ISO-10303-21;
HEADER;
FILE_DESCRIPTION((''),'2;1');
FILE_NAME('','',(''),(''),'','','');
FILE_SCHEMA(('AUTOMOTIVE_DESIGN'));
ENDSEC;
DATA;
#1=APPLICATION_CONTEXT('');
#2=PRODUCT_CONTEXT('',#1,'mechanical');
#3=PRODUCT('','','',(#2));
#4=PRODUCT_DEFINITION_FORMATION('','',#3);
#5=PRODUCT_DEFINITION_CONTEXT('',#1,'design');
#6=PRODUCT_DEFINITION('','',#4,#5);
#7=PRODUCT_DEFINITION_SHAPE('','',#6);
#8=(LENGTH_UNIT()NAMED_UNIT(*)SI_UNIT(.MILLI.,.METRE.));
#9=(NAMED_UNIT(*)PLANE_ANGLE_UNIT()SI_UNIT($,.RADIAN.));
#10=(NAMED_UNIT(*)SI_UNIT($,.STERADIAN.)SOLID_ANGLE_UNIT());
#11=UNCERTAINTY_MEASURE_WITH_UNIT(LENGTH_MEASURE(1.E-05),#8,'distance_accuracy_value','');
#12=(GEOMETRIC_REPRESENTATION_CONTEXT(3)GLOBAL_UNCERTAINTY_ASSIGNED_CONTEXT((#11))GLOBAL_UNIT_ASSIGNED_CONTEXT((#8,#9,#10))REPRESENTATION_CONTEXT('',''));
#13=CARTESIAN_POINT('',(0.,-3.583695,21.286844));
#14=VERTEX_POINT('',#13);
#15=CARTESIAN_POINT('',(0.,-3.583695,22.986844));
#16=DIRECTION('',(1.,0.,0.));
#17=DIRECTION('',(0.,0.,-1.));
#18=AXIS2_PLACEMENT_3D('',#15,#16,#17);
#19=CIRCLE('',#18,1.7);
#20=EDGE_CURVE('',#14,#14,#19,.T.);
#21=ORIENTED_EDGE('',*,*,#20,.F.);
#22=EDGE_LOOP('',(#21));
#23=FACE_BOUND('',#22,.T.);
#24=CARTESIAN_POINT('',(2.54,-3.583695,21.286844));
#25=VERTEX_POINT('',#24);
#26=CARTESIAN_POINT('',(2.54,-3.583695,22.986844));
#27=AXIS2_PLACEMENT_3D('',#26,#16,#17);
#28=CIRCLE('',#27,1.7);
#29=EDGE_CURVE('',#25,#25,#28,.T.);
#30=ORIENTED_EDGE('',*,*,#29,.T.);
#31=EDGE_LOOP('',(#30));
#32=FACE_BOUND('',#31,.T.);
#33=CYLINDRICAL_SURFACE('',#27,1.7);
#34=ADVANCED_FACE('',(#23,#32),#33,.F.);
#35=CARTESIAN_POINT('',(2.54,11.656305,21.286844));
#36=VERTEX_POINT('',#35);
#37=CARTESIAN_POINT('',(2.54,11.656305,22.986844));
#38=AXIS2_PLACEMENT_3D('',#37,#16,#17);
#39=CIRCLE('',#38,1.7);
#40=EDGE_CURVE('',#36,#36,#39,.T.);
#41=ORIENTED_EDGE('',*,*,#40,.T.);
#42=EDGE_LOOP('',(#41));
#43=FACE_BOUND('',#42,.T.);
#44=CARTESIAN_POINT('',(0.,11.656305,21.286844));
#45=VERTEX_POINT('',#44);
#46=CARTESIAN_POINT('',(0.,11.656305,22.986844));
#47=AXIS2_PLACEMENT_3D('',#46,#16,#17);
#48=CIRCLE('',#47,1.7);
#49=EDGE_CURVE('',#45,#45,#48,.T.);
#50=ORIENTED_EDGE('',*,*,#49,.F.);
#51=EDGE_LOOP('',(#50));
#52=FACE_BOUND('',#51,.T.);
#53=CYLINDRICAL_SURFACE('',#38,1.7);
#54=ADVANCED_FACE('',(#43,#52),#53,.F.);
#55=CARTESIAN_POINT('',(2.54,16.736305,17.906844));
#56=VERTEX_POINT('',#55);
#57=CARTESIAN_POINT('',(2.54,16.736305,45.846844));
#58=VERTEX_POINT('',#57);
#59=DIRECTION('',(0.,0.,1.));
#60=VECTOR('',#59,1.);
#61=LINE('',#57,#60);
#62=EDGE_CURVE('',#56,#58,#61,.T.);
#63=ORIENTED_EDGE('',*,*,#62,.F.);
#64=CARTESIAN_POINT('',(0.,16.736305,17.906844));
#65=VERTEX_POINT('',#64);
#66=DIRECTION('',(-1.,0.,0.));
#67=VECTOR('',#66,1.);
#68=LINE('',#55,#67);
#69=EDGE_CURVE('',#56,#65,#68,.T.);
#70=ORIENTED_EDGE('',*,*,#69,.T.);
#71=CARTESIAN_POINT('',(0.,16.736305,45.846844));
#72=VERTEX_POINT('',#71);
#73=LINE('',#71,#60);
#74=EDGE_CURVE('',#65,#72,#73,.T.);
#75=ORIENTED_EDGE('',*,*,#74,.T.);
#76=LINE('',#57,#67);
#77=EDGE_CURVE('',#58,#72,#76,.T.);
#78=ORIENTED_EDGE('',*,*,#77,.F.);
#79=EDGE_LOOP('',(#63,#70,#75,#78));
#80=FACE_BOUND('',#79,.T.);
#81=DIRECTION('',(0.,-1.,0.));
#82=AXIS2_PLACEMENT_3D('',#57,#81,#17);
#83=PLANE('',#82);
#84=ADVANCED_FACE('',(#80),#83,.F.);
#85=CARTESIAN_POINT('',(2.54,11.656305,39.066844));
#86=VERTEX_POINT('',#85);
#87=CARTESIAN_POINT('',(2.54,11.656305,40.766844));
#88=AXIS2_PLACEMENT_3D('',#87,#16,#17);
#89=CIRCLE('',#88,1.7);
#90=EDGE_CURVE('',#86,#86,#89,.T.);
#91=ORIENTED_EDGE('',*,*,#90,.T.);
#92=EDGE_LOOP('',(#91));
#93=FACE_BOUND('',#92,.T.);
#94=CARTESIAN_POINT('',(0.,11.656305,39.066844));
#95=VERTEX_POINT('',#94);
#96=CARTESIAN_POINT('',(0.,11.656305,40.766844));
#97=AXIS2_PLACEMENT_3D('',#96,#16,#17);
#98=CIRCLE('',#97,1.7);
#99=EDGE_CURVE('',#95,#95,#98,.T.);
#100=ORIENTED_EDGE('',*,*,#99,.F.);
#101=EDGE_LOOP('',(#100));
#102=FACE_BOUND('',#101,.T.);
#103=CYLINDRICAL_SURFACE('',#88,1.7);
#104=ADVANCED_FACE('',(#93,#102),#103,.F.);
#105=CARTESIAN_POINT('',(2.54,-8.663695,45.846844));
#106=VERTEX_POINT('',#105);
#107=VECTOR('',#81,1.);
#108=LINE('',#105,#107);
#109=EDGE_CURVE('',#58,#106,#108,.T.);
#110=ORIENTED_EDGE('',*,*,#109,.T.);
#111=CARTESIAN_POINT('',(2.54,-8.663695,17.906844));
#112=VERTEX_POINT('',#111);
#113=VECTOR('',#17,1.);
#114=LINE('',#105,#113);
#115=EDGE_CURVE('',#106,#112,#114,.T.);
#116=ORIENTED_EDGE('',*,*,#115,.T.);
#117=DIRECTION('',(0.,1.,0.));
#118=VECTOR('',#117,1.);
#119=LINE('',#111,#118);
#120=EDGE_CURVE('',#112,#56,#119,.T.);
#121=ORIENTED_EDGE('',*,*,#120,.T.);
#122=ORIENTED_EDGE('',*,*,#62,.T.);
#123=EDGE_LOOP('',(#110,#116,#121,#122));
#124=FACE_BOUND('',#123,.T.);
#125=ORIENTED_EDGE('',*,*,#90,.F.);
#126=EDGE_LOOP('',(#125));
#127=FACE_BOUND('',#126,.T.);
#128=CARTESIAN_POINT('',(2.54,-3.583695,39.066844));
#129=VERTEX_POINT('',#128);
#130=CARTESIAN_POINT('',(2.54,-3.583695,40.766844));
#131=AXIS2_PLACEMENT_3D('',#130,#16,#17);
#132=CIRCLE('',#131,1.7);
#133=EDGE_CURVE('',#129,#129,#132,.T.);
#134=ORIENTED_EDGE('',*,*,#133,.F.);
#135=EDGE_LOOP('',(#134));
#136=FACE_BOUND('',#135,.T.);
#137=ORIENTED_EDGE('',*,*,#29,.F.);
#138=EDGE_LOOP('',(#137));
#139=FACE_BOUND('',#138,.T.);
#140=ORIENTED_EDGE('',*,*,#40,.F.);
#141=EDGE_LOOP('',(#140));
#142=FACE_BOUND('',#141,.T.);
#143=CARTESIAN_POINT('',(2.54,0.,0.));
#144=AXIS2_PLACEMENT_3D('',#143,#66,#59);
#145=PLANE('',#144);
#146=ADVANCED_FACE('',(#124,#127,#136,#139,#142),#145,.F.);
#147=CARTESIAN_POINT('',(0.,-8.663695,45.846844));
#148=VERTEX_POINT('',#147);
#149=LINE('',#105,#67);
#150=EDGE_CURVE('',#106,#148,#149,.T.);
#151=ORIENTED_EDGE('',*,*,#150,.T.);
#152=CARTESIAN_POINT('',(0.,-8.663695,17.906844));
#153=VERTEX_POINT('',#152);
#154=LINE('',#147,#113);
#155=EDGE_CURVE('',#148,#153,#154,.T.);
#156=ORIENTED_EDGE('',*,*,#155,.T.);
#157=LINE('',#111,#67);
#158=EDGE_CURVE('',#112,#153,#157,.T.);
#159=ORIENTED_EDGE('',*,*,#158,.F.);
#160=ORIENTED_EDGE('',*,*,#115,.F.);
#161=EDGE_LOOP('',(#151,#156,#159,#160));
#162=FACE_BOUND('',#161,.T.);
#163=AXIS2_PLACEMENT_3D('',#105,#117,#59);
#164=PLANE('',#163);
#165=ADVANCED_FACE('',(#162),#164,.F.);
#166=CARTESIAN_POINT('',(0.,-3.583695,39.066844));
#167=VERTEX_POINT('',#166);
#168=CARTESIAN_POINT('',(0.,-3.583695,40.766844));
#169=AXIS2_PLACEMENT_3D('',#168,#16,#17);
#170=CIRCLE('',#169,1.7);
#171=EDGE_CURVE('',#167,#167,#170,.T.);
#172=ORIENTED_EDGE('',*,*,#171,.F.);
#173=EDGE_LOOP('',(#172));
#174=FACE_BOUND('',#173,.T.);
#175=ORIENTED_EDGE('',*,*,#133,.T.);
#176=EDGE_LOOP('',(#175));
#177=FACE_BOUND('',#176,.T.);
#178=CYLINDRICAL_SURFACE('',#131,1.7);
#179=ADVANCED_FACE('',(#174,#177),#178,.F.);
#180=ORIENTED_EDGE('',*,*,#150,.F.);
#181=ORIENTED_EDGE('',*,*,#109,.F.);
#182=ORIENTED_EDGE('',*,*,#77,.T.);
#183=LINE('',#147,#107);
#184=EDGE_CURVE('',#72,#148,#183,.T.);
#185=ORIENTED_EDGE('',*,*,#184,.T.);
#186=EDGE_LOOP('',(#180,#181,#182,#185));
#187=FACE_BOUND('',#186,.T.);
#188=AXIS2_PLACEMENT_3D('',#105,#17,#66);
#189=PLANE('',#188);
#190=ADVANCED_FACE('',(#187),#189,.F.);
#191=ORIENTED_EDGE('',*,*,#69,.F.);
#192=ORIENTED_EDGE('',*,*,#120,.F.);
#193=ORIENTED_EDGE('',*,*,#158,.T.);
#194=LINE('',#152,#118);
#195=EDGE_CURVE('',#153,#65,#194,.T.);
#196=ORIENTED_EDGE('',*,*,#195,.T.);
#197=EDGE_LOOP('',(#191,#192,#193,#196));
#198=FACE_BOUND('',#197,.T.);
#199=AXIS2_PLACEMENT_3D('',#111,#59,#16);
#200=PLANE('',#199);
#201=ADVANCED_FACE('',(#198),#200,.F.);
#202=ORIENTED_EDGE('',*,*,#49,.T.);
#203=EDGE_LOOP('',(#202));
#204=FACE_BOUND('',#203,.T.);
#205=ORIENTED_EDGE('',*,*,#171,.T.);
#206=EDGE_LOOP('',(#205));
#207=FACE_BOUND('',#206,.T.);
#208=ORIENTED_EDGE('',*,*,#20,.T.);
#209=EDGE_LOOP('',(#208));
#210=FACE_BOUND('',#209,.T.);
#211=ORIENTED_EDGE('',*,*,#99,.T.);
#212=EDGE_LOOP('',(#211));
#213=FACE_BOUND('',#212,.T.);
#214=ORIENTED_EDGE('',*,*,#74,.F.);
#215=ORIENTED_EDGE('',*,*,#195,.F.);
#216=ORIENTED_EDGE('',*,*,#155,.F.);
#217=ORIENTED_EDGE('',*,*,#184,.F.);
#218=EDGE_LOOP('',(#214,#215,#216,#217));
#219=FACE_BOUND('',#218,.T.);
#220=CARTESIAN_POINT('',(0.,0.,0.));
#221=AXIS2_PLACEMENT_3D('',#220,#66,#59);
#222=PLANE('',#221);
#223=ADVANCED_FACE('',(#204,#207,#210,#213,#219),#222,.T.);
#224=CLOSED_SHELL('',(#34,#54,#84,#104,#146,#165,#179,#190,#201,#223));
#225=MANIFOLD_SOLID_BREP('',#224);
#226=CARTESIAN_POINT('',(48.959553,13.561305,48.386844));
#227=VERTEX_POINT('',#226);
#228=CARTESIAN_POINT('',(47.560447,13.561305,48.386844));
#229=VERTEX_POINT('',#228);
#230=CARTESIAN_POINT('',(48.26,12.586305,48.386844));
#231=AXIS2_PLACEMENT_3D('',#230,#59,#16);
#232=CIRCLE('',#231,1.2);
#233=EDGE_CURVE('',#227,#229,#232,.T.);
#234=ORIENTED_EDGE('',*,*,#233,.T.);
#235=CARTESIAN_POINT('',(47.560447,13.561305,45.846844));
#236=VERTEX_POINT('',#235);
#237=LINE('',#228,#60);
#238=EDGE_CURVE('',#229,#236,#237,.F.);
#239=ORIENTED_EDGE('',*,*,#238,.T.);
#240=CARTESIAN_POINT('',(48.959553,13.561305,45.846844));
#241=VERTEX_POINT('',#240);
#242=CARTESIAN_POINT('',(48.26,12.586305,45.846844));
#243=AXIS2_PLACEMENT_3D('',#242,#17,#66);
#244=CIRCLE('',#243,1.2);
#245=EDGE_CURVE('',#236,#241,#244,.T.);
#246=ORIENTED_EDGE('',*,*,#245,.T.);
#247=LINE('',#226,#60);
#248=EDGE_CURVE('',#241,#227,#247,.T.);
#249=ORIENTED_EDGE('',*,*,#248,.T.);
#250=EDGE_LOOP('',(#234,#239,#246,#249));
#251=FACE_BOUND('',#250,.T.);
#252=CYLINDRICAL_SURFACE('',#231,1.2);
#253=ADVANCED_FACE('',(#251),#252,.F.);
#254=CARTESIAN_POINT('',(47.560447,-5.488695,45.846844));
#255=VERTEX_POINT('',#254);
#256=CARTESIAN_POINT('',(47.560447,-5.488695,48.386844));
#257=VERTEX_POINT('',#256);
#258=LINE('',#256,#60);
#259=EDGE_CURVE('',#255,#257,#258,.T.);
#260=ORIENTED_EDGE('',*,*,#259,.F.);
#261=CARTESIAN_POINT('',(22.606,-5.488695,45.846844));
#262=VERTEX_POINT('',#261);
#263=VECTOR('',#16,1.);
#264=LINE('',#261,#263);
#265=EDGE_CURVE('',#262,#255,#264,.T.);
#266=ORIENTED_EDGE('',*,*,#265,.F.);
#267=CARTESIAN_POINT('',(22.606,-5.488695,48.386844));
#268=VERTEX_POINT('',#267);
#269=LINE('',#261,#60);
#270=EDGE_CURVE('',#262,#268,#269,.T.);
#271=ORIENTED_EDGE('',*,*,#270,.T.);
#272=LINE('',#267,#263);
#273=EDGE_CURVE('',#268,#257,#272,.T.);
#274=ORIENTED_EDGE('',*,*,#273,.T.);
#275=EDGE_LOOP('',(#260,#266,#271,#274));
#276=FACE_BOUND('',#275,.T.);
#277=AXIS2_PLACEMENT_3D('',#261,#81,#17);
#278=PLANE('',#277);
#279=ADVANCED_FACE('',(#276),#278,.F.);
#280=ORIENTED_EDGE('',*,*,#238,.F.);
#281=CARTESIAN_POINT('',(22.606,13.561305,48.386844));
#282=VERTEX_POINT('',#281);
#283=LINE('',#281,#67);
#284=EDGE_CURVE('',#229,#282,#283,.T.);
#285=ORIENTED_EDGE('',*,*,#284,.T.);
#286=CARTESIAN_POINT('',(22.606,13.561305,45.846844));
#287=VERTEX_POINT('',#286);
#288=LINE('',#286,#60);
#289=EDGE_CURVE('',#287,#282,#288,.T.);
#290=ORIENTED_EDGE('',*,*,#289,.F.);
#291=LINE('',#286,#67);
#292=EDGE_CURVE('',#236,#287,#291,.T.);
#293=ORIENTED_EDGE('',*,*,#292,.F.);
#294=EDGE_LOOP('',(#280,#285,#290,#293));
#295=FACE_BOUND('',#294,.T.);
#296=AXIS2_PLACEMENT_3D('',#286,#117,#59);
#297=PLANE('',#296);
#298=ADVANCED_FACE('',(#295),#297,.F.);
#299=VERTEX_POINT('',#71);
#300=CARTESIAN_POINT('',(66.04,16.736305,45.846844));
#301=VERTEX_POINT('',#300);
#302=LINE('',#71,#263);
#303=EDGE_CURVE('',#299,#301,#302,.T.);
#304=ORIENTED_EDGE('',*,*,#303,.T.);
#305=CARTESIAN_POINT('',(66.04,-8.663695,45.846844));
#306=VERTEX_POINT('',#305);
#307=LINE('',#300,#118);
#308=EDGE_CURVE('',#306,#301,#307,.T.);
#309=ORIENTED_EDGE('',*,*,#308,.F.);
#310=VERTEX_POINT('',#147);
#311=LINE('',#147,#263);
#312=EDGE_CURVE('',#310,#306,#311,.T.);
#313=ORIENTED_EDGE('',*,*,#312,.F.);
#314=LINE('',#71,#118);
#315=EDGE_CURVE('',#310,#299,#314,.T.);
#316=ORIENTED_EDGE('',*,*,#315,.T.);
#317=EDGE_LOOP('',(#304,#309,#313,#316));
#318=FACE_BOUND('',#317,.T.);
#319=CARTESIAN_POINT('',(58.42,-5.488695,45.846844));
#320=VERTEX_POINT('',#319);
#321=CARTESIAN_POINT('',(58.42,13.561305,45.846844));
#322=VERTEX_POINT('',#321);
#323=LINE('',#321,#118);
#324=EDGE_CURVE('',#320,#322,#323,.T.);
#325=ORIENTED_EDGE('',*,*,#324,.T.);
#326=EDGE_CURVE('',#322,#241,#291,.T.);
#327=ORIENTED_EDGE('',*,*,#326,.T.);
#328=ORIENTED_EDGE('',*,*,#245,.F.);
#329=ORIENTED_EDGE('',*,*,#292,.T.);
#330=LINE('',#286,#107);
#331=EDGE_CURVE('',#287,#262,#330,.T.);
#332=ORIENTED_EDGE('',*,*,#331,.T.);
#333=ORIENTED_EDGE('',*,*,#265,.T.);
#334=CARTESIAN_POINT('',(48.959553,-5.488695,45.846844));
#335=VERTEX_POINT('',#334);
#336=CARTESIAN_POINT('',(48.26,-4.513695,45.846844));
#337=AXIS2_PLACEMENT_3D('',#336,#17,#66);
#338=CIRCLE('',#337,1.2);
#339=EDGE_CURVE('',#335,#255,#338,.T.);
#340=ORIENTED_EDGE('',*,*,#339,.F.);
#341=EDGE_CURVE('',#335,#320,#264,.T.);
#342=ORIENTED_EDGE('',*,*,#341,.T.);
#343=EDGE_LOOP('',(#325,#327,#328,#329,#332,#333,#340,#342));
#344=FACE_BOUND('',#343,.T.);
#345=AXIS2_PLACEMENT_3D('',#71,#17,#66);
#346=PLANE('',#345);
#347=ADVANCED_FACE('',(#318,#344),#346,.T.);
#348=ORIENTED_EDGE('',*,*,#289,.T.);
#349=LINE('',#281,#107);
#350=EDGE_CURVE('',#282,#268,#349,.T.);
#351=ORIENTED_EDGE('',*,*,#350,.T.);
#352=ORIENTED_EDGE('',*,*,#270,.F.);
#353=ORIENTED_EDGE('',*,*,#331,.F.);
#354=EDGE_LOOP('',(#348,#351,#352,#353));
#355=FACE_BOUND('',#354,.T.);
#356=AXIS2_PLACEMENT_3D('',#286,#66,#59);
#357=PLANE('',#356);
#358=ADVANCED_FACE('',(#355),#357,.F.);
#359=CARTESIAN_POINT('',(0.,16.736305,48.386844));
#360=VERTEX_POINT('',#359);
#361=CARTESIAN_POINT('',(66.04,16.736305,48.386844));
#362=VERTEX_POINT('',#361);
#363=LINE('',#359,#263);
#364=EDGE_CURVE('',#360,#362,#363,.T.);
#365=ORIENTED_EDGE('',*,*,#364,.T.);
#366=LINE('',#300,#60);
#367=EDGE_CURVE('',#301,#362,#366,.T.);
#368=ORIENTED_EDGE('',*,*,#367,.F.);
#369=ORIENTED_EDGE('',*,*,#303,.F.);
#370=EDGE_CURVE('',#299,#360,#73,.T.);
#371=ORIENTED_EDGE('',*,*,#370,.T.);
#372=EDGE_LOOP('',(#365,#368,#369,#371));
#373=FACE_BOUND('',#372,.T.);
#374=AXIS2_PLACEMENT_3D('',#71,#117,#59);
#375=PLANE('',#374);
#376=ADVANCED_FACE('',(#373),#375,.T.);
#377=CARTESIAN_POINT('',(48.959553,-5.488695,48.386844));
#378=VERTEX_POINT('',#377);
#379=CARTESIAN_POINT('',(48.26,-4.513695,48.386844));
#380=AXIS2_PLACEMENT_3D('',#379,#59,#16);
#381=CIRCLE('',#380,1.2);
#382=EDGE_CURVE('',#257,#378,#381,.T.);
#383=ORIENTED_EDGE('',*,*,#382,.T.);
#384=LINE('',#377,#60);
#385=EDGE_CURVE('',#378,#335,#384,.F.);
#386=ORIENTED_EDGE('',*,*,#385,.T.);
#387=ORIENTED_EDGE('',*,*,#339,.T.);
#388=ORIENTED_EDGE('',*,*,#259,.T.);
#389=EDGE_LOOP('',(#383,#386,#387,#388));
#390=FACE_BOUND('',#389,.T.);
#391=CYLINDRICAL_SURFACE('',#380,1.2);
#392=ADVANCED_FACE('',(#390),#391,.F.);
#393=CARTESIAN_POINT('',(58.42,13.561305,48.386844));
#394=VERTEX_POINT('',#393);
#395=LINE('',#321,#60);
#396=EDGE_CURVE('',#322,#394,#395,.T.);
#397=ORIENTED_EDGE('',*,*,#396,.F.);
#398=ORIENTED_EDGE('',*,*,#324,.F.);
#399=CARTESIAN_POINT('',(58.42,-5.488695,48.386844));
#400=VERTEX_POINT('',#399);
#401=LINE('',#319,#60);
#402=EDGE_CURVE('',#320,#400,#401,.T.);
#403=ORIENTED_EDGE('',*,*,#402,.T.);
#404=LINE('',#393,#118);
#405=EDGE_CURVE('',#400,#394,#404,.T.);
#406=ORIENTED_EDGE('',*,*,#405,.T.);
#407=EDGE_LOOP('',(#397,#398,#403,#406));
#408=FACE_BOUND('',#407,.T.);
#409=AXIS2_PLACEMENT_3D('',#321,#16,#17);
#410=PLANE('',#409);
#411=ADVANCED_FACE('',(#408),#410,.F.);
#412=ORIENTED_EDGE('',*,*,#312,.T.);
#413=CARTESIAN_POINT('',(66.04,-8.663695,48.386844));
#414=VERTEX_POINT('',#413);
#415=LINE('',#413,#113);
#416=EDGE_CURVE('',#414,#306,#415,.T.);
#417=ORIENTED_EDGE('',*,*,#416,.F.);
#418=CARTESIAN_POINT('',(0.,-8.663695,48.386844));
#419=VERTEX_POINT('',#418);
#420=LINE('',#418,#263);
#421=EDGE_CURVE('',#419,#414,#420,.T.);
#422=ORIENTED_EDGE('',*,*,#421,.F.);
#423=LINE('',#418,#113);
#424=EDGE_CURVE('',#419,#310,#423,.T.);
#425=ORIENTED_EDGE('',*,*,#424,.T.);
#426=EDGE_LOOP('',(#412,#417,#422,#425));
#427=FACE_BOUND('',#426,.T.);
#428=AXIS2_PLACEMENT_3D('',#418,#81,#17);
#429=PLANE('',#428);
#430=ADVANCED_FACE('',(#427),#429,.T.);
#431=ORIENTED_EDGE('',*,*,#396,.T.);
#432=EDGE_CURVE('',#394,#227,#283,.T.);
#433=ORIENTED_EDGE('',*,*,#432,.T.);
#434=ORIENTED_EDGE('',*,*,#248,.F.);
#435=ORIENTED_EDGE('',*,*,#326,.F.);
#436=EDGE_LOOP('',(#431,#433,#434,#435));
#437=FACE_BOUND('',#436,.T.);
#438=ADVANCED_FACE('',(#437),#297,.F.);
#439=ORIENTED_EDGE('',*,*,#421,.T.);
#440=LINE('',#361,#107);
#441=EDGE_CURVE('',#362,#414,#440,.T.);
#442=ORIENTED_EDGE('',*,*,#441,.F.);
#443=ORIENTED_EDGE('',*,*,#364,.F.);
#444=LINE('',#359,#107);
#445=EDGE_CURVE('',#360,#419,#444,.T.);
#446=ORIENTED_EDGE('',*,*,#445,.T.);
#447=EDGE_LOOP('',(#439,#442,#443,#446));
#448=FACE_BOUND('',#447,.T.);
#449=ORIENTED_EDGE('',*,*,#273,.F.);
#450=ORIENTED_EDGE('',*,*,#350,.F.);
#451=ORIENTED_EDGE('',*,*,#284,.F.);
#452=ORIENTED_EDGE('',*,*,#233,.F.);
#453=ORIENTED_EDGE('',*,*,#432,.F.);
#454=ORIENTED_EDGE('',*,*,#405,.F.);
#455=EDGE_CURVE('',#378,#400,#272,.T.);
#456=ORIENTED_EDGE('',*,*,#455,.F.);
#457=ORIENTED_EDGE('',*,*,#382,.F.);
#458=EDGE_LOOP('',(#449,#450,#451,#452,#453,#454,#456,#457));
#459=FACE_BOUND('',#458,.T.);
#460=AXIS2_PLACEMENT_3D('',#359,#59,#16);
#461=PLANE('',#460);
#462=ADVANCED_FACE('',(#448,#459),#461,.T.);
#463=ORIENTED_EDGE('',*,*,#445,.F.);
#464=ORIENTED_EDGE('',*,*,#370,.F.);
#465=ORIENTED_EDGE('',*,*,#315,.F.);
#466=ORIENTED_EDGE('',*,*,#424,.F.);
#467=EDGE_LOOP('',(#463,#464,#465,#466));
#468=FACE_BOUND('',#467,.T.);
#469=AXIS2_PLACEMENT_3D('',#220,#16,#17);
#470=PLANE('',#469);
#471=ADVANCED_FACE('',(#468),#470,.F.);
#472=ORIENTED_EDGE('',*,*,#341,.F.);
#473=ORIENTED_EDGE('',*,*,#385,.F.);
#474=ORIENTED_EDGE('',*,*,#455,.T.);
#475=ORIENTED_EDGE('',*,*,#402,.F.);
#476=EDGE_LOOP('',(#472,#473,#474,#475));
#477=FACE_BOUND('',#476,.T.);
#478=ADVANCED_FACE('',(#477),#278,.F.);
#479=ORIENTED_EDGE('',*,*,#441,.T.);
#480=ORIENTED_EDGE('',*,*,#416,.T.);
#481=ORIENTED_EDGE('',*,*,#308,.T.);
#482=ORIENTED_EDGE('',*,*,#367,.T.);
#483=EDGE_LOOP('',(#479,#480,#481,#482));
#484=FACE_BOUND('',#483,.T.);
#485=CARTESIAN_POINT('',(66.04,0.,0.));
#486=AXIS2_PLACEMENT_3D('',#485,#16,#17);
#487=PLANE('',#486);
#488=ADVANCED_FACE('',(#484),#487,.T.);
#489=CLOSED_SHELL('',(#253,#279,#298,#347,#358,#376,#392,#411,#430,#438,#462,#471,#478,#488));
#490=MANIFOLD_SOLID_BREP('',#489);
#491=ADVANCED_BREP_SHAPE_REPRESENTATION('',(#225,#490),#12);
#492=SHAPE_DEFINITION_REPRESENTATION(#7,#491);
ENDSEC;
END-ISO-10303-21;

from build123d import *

# Parameters (mm, degrees)
SKETCH1_W                           = 27.94
SKETCH1_H                           = 25.4
SIDE_CONNECTING_TO_GRIP_DEPTH       = 2.54
M3_CLEARANCE_HOLE1_D                = 3.4
SIDE_CONNECTING_TO_SERVO_DEPTH      = 63.5
SIDE_CONNECTING_TO_SERVO_DEPTH_BACK = 2.54
SKETCH6_W                           = 2.54
SKETCH6_H                           = 25.4
SKETCH9_W                           = 1.2
SKETCH9_H                           = 30.48
CUTOUT_SERVO_HOLES_AT_2_COUNT       = 2
CUTOUT_SERVO_HOLES_AT_2_PITCH       = 17.1
SKETCH10_W                          = 35.814
SKETCH10_H                          = 19.05
CUT_EXTRUDE1_DEPTH                  = 2.54


with BuildPart() as part:
    # Sketch1 → side connecting to grip (new body)
    with BuildSketch(Plane(origin=(0, 0, 0), x_dir=(0, 0, -1), z_dir=(1, 0, 0))):
        with Locations((-31.87684378, 4.036305379)):
            Rectangle(SKETCH1_W, SKETCH1_H)
    extrude(amount=SIDE_CONNECTING_TO_GRIP_DEPTH)

    # M3 Clearance Hole1 (through all)
    with Locations(Plane(origin=(2.54, 0, 0), x_dir=(0, 0, -1), z_dir=(1, 0, 0))):
        with Locations((-40.76684378, 11.656305379), (-22.98684378, 11.656305379), (-22.98684378, -3.583694621), (-40.76684378, -3.583694621)):
            Hole(M3_CLEARANCE_HOLE1_D / 2)


with BuildPart() as body_2:
    # Sketch6 → side connecting to servo (new, two sides: drawn at the far end of the back side and taken through both)
    with BuildSketch(Plane(origin=(2.54, 0, 0), x_dir=(0, 0, -1), z_dir=(1, 0, 0)).offset(-SIDE_CONNECTING_TO_SERVO_DEPTH_BACK)):
        with Locations((-47.11684378, 4.036305379)):
            Rectangle(SKETCH6_W, SKETCH6_H)
    extrude(amount=SIDE_CONNECTING_TO_SERVO_DEPTH + SIDE_CONNECTING_TO_SERVO_DEPTH_BACK)

    # Sketch9 → cutout servo holes (revolve, cut)
    with BuildSketch(Plane(origin=(48.26, 12.586305379, 48.38684378), x_dir=(0, -1, 0), z_dir=(1, 0, 0))):
        with Locations((0.6, 15.24)):
            Rectangle(SKETCH9_W, SKETCH9_H)
    cutout_servo_holes = revolve(axis=Axis((48.26, 12.586305379, 54.73684378), (0, 0, -1)), mode=Mode.SUBTRACT)

    # cutout servo holes at 2: cutout servo holes ×2
    with Locations(*[(0, -i * CUTOUT_SERVO_HOLES_AT_2_PITCH, 0) for i in range(1, CUTOUT_SERVO_HOLES_AT_2_COUNT)]):
        add(cutout_servo_holes, mode=Mode.SUBTRACT)

    # Sketch10 → Cut-Extrude1 (cut)
    with BuildSketch(Plane.XY.offset(48.38684378)):
        with Locations((40.513, 4.036305379)):
            Rectangle(SKETCH10_W, SKETCH10_H)
    extrude(amount=-CUT_EXTRUDE1_DEPTH, mode=Mode.SUBTRACT)


solid = Compound([part.part, body_2.part])
